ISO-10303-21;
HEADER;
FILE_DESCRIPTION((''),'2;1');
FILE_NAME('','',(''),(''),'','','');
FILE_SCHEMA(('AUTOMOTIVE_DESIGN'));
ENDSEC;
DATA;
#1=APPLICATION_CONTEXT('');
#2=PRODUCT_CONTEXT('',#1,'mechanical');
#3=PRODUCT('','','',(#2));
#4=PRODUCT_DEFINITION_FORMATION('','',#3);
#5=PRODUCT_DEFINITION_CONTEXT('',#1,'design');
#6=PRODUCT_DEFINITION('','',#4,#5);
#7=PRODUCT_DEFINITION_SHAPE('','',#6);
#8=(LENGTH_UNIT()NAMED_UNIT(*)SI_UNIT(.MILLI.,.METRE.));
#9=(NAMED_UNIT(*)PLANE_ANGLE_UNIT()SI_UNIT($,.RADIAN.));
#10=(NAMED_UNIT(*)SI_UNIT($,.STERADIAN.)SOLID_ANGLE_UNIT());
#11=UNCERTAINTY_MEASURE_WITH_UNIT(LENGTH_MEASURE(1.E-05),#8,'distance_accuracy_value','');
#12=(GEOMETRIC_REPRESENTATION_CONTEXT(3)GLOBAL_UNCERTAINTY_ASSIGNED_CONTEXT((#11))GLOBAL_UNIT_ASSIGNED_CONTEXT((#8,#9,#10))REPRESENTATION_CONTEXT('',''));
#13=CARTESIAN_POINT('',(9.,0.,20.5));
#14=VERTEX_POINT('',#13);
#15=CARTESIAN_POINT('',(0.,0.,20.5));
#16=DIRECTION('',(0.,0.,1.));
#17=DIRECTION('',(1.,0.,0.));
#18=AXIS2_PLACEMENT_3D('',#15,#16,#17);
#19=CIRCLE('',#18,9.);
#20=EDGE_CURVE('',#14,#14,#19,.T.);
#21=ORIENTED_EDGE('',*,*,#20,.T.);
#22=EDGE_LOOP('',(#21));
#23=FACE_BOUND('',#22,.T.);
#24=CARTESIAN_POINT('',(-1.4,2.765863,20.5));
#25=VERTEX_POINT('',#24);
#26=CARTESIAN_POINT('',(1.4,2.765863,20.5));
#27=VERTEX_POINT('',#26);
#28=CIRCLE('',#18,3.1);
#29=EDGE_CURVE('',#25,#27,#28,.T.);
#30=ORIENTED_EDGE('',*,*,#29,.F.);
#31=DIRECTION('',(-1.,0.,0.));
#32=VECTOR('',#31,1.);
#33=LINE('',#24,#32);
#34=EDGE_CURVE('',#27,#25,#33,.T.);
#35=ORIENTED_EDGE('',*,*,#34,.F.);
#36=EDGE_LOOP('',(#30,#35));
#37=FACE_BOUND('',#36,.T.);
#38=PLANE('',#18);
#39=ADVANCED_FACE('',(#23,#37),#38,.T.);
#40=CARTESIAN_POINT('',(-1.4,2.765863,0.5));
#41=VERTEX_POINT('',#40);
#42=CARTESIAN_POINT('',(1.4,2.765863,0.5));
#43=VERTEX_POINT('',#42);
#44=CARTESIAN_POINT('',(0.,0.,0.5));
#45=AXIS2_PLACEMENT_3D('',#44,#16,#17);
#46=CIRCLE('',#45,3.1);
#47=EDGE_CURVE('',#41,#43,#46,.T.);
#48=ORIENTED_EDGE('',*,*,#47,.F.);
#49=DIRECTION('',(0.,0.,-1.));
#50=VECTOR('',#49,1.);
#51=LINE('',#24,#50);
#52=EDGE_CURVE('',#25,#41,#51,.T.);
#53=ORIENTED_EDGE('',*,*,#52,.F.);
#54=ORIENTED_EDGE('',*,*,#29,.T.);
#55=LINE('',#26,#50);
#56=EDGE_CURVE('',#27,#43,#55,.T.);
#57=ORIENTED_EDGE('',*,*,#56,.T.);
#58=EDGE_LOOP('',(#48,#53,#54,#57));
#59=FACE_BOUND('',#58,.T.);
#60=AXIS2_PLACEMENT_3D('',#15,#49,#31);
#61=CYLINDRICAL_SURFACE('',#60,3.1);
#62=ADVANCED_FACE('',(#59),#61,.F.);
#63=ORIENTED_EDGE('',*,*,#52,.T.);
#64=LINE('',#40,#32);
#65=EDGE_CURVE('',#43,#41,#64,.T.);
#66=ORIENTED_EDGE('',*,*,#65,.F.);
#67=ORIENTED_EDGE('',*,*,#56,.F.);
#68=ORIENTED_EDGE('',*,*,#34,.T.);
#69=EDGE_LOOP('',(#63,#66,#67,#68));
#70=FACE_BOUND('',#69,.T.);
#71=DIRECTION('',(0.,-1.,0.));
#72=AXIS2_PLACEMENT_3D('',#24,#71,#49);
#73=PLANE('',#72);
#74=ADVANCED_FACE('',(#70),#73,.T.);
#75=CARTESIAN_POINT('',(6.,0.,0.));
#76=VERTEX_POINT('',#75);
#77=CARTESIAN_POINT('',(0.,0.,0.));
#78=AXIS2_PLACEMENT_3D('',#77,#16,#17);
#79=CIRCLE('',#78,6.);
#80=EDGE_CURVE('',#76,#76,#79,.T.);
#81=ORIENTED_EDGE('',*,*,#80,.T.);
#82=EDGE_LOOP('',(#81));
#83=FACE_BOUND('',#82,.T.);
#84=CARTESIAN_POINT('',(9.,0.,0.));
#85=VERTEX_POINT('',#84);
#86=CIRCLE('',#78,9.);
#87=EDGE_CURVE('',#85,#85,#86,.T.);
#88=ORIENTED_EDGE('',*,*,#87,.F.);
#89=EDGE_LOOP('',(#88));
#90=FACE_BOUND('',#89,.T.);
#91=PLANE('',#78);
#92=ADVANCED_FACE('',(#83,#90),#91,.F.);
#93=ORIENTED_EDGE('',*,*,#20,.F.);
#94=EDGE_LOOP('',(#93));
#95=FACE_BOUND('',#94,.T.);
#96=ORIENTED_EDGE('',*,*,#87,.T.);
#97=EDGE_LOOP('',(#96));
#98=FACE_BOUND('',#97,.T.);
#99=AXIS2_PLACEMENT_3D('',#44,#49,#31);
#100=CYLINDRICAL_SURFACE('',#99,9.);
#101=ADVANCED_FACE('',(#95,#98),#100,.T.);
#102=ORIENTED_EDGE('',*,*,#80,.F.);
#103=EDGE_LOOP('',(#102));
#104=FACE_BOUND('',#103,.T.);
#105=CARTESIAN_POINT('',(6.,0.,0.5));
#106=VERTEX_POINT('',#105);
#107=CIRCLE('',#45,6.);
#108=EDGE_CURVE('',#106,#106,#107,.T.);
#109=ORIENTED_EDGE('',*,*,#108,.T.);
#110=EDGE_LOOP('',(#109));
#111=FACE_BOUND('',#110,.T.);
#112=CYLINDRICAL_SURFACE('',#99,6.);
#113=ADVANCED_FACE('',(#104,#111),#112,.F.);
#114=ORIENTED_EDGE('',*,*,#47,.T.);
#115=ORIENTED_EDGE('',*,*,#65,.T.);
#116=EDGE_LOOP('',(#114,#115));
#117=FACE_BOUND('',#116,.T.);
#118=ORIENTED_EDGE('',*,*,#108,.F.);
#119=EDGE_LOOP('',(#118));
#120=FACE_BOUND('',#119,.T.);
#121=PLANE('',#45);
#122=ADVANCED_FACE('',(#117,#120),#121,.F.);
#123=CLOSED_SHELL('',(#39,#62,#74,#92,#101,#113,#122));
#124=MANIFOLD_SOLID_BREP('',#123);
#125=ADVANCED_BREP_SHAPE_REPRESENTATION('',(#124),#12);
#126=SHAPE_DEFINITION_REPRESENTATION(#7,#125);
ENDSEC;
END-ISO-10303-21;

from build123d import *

# Parameters (mm, degrees)
SKETCH2_R             = 9
SKETCH2_R_2           = 6
LARGE_SHAFT_CUT_DEPTH = 0.5
SKETCH3_R             = 9
KEYED_SHAFT_CUT_DEPTH = 20


with BuildPart() as part:
    # Sketch2 → Large Shaft Cut (new body)
    with BuildSketch(Plane.XY):
        Circle(SKETCH2_R)
        Circle(SKETCH2_R_2, mode=Mode.SUBTRACT)
    extrude(amount=LARGE_SHAFT_CUT_DEPTH)

    # Sketch3 → Keyed Shaft Cut (add)
    with BuildSketch(Plane.XY.offset(0.5)):
        Circle(SKETCH3_R)
        with BuildLine():
            Line((-1.4, 2.765863337), (1.4, 2.765863337))
            ThreePointArc((1.4, 2.765863337), (0, -3.1), (-1.4, 2.765863337))
        make_face(mode=Mode.SUBTRACT)
    extrude(amount=KEYED_SHAFT_CUT_DEPTH)


solid = part.part
